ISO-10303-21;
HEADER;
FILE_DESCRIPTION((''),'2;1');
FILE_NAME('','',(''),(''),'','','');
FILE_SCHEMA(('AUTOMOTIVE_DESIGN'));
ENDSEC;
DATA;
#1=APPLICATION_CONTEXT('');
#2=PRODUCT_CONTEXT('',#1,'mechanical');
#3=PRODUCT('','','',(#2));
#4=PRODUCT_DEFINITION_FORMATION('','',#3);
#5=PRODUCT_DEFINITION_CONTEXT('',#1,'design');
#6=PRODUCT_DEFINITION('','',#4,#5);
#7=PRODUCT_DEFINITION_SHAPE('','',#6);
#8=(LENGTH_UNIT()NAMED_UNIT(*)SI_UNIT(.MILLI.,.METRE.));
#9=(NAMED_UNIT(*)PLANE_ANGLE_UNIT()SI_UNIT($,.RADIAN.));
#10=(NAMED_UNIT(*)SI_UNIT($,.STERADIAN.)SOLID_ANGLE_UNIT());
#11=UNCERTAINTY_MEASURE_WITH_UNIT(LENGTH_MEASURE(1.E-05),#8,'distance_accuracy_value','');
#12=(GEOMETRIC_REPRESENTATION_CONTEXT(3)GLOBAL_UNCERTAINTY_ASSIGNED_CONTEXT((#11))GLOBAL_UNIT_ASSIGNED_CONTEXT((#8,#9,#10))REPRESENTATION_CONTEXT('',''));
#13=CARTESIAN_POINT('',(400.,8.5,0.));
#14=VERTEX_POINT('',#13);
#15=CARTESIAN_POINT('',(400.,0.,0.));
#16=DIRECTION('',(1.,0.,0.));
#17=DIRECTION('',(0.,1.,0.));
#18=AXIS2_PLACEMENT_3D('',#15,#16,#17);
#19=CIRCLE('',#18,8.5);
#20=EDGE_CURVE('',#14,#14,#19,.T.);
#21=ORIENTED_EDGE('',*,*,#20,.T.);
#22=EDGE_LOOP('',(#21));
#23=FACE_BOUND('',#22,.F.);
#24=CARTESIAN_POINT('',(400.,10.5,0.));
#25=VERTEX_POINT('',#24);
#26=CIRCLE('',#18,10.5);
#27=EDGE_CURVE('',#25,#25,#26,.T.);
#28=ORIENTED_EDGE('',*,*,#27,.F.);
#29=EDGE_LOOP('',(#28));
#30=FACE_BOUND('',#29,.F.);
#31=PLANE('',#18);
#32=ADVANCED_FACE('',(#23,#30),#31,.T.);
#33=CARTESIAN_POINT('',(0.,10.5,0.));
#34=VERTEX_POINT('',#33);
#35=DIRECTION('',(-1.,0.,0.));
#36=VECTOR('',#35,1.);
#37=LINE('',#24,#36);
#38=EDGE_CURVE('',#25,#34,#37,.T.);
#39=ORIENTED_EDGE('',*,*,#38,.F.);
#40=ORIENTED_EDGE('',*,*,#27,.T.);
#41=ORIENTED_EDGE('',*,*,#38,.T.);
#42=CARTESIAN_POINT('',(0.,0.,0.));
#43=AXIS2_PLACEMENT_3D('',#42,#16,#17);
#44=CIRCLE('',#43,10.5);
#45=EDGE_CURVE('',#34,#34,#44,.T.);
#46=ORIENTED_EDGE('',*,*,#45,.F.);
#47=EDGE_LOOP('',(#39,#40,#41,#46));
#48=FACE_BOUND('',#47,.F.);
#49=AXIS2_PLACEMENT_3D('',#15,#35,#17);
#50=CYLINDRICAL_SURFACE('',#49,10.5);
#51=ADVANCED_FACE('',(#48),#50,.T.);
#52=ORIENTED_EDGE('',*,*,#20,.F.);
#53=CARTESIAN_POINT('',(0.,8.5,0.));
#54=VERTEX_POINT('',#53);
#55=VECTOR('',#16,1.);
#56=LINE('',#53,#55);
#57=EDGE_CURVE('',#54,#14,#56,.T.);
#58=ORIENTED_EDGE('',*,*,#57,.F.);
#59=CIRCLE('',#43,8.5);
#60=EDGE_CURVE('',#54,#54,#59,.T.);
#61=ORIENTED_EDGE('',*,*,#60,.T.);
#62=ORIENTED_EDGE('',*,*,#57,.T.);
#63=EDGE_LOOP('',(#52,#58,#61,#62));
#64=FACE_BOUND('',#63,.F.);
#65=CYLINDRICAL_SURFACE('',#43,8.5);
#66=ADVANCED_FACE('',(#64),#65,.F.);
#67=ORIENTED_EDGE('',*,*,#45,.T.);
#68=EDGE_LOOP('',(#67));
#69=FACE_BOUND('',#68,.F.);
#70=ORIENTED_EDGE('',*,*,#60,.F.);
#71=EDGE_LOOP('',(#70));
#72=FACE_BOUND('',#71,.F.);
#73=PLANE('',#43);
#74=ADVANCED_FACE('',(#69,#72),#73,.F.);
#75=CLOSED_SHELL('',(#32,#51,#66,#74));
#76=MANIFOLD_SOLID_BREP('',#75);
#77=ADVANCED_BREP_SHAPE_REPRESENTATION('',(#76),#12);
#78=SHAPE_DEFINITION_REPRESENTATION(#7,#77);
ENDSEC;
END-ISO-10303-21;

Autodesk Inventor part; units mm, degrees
ref_plane "YZ Plane" through (0, 0, 0) normal (1, 0, 0) x (0, 1, 0)
ref_plane "XZ Plane" through (0, 0, 0) normal (0, 1, 0) x (-1, 0, 0)
ref_plane "XY Plane" through (0, 0, 0) normal (0, 0, 1) x (1, 0, 0)
sketch "Sketch1" plane through (0, 0, 0) normal (0, 0, 1) x (1, 0, 0)
  line L0 (0, 8.5) -> (400, 8.5)
  line L1 (400, 8.5) -> (400, 10.5)
  line L2 (400, 10.5) -> (0, 10.5)
  line L3 (0, 10.5) -> (0, 8.5)
  line L4 (0, 0) -> (200, 0)
  dimension "d0" = 400
  dimension "d1" = 2
  dimension "d4" = 21
revolve "Revolution1" add sketch "Sketch1" angle 360 about axis through (0, 0, 0) along (1, 0, 0)
properties part number "buis lang"
